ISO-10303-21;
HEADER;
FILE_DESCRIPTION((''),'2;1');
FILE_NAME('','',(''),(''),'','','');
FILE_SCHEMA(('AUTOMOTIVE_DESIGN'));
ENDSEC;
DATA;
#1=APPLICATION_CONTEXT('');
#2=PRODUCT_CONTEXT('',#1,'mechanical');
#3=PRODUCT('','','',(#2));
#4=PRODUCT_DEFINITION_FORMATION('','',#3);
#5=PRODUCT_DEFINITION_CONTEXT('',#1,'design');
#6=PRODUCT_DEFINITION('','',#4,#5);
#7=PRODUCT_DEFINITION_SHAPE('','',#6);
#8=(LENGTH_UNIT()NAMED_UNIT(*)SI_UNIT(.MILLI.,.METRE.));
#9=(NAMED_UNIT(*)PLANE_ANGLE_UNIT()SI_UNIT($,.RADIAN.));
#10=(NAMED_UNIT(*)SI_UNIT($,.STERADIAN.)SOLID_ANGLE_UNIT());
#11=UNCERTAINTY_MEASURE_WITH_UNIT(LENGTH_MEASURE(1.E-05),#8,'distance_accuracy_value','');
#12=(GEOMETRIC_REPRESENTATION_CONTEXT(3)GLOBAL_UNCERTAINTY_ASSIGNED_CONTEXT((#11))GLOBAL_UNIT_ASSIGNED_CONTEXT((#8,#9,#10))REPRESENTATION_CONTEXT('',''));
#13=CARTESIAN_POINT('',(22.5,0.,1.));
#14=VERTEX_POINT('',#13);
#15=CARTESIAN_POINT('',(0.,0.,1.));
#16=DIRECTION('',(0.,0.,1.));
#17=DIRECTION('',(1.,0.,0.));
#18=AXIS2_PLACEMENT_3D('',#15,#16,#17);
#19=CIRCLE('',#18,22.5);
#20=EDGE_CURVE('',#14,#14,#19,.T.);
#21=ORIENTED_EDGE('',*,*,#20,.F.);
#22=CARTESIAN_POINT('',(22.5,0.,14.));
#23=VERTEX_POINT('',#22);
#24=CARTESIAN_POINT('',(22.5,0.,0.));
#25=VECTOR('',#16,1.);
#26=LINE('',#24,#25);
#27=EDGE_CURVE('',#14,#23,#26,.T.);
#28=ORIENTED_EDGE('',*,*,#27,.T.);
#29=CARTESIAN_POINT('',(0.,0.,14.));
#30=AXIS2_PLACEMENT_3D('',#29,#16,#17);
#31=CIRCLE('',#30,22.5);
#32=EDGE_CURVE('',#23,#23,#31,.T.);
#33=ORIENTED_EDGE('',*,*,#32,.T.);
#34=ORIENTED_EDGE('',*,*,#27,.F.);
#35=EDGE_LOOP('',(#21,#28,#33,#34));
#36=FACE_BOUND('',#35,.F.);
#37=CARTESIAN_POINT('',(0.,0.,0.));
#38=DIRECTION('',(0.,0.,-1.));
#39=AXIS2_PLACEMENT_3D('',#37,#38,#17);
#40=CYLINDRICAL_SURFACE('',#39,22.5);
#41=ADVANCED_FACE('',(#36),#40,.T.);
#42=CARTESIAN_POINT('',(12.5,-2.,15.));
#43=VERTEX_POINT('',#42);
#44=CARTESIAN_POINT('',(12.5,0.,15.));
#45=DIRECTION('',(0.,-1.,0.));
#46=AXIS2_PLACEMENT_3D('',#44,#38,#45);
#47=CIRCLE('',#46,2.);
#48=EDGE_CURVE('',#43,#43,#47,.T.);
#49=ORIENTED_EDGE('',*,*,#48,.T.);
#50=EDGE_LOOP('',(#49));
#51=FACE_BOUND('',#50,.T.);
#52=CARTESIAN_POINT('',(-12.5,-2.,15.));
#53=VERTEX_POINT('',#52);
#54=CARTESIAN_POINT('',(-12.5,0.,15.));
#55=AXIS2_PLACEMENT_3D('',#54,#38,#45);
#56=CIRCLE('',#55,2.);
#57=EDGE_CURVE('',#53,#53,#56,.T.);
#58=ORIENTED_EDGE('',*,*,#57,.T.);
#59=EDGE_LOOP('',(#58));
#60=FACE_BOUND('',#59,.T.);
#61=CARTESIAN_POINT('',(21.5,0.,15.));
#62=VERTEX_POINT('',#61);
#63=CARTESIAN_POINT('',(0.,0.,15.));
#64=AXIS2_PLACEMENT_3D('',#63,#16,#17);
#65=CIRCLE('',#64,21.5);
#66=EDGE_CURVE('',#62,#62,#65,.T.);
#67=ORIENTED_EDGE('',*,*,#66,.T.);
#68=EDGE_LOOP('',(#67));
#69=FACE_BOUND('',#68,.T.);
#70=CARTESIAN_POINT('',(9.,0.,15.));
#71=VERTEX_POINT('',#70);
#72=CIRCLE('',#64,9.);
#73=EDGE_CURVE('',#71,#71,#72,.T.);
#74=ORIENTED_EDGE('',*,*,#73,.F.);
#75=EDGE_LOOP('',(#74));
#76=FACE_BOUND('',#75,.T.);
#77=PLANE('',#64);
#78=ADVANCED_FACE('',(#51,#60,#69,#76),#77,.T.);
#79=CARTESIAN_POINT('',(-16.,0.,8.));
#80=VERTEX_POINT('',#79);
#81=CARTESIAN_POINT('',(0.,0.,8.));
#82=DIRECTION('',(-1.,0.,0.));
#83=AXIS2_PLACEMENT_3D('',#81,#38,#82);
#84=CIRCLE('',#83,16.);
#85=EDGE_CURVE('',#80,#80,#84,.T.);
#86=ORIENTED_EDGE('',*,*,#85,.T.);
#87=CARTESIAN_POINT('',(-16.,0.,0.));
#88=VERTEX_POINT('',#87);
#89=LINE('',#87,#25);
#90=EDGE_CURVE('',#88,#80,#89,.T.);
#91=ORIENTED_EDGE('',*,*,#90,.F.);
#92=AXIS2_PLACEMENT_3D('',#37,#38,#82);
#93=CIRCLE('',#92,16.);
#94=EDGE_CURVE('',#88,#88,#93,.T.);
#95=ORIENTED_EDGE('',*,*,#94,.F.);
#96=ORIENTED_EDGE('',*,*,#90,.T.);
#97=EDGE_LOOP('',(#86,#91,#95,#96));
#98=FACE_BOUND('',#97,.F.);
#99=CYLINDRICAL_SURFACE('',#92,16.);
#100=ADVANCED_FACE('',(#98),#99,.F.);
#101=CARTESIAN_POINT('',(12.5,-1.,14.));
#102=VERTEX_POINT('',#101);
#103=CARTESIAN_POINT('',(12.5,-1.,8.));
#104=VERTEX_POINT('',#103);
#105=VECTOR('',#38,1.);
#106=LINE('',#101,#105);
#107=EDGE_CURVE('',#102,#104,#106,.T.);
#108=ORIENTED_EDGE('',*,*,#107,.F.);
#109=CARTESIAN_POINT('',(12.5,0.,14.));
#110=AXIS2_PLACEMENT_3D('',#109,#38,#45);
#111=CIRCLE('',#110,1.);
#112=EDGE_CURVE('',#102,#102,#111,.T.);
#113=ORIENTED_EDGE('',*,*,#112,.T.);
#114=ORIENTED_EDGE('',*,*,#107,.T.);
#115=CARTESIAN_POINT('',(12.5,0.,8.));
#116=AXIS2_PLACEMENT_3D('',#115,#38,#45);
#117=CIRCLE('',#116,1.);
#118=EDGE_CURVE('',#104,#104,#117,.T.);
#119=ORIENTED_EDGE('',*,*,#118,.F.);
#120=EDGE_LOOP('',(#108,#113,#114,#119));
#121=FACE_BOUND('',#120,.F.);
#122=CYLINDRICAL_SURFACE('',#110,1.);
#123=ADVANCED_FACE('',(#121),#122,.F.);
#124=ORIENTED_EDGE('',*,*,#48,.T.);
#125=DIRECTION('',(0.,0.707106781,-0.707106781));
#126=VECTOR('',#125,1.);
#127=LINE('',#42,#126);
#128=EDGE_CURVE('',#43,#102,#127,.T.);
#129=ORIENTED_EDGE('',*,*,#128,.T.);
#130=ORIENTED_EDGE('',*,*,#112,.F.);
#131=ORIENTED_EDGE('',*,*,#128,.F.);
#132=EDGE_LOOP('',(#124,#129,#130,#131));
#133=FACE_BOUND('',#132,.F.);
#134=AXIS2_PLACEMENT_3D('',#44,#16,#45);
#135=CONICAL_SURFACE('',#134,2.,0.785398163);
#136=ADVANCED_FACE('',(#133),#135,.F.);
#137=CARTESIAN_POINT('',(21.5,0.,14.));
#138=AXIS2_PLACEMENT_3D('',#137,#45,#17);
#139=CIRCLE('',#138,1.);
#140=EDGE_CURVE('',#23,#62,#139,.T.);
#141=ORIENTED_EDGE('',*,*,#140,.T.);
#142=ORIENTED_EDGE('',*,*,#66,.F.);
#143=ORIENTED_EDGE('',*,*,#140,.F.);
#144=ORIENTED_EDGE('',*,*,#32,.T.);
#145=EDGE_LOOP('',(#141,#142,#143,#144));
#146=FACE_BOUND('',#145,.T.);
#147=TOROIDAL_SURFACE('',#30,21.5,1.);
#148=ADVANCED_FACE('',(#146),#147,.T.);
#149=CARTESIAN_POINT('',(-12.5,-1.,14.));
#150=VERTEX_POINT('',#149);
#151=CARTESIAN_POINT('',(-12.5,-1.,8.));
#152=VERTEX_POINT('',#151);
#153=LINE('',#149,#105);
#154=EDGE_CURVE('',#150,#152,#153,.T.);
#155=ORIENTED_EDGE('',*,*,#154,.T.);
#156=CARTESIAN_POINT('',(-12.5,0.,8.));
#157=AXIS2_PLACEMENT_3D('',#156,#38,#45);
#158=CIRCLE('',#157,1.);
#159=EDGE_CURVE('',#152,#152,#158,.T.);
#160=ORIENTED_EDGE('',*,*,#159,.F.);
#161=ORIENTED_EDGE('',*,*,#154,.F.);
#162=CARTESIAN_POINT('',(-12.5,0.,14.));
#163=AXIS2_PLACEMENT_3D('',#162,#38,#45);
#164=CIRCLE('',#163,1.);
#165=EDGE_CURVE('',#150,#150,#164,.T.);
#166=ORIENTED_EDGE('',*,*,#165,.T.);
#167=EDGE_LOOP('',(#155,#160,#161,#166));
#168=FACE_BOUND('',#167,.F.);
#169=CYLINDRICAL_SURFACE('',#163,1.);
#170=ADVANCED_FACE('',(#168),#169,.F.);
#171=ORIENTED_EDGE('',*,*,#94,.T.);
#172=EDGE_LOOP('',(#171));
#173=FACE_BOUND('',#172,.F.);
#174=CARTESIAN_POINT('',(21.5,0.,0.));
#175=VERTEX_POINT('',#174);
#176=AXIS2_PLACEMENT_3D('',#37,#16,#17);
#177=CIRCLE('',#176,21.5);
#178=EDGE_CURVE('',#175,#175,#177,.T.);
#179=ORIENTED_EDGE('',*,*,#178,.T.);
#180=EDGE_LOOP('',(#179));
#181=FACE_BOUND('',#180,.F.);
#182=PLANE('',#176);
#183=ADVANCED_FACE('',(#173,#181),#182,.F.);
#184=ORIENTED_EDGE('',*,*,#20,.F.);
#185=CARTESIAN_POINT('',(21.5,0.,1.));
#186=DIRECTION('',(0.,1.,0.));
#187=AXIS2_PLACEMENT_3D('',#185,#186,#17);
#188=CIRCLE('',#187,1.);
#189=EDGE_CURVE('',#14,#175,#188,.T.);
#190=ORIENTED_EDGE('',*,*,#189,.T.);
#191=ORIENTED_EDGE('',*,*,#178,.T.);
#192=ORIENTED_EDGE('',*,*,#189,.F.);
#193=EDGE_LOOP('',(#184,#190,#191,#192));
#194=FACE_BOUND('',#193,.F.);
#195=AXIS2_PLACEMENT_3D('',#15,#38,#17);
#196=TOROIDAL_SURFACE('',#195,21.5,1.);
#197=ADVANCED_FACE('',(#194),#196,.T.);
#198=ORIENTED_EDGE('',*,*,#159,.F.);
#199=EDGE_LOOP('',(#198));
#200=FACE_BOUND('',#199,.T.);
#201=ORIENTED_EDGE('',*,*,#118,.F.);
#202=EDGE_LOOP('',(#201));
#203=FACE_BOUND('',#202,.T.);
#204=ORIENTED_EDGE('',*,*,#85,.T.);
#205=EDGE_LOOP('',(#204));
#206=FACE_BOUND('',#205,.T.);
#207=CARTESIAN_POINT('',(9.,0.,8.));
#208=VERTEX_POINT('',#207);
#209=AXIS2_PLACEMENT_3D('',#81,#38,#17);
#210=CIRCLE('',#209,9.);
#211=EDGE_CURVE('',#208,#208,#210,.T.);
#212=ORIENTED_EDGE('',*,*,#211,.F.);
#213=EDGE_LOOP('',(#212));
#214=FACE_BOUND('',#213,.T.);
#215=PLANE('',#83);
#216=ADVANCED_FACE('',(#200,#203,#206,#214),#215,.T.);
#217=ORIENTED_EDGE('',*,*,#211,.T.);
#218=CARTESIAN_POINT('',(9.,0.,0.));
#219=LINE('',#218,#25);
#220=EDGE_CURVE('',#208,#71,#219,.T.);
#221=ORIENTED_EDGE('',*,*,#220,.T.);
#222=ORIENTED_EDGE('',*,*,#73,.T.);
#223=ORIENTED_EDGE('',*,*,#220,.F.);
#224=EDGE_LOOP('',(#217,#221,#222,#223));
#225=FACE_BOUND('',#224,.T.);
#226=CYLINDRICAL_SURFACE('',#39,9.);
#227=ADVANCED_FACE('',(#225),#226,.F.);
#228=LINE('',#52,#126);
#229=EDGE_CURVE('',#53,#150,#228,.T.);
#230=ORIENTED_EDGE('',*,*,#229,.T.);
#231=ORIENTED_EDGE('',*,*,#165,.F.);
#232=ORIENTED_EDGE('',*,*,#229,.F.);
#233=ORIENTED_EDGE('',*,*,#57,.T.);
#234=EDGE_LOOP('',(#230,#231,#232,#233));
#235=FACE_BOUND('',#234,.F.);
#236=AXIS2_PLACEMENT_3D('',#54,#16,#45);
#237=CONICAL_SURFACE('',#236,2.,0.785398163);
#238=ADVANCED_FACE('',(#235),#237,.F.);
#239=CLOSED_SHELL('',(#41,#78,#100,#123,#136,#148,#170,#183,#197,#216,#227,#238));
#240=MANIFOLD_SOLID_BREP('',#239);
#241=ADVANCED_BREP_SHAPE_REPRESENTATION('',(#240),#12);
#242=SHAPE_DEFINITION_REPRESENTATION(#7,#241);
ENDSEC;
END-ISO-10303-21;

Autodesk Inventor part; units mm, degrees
ref_plane "YZ Plane" through (0, 0, 0) normal (1, 0, 0) x (0, 1, 0)
ref_plane "XZ Plane" through (0, 0, 0) normal (0, 1, 0) x (-1, 0, 0)
ref_plane "XY Plane" through (0, 0, 0) normal (0, 0, 1) x (1, 0, 0)
sketch "Skizze1" plane through (0, 0, 0) normal (0, 0, 1) x (1, 0, 0)
  circle A0 centre (0, 0) radius 22.5
  circle A1 centre (0, 0) radius 9
  dimension "d0" = 45
  dimension "d2" = 9
extrude "Extrusion1" add sketch "Skizze1" along normal blind 15
sketch "Skizze3" plane through (0, 0, 0) normal (0, 0, -1) x (-1, 0, 0)
  circle A0 centre (0, 0) radius 9 projected
  circle A1 centre (0, 0) radius 22.5 projected
  circle A2 centre (0, 0) radius 16
  dimension "d5" = 32
extrude "Extrusion2" cut sketch "Skizze3" against normal blind 8 contours A2
sketch "Skizze4" plane through (0, 0, 15) normal (0, 0, 1) x (1, 0, 0)
  circle A0 centre (0, 0) radius 9 projected
  circle A1 centre (0, 0) radius 16 projected
  line L0 (-27, 0) -> (36, 0) projected
  point P0 (-12.5, 0)
  point P1 (12.5, 0)
  dimension "d8" = 12.5
  dimension "d9" = 12.5
hole "Bohrung1" at (-12.5, 0, 15) at (12.5, 0, 15) direction (0, 0, -1) diameter 2 end through all countersink diameter 4 countersink angle 90
fillet "Rundung1" radius 1 2 edges at (-22.5, 0, 15) (-22.5, 0, 0)
equation "\"d9\" = d8"
properties part number "Griff01"
